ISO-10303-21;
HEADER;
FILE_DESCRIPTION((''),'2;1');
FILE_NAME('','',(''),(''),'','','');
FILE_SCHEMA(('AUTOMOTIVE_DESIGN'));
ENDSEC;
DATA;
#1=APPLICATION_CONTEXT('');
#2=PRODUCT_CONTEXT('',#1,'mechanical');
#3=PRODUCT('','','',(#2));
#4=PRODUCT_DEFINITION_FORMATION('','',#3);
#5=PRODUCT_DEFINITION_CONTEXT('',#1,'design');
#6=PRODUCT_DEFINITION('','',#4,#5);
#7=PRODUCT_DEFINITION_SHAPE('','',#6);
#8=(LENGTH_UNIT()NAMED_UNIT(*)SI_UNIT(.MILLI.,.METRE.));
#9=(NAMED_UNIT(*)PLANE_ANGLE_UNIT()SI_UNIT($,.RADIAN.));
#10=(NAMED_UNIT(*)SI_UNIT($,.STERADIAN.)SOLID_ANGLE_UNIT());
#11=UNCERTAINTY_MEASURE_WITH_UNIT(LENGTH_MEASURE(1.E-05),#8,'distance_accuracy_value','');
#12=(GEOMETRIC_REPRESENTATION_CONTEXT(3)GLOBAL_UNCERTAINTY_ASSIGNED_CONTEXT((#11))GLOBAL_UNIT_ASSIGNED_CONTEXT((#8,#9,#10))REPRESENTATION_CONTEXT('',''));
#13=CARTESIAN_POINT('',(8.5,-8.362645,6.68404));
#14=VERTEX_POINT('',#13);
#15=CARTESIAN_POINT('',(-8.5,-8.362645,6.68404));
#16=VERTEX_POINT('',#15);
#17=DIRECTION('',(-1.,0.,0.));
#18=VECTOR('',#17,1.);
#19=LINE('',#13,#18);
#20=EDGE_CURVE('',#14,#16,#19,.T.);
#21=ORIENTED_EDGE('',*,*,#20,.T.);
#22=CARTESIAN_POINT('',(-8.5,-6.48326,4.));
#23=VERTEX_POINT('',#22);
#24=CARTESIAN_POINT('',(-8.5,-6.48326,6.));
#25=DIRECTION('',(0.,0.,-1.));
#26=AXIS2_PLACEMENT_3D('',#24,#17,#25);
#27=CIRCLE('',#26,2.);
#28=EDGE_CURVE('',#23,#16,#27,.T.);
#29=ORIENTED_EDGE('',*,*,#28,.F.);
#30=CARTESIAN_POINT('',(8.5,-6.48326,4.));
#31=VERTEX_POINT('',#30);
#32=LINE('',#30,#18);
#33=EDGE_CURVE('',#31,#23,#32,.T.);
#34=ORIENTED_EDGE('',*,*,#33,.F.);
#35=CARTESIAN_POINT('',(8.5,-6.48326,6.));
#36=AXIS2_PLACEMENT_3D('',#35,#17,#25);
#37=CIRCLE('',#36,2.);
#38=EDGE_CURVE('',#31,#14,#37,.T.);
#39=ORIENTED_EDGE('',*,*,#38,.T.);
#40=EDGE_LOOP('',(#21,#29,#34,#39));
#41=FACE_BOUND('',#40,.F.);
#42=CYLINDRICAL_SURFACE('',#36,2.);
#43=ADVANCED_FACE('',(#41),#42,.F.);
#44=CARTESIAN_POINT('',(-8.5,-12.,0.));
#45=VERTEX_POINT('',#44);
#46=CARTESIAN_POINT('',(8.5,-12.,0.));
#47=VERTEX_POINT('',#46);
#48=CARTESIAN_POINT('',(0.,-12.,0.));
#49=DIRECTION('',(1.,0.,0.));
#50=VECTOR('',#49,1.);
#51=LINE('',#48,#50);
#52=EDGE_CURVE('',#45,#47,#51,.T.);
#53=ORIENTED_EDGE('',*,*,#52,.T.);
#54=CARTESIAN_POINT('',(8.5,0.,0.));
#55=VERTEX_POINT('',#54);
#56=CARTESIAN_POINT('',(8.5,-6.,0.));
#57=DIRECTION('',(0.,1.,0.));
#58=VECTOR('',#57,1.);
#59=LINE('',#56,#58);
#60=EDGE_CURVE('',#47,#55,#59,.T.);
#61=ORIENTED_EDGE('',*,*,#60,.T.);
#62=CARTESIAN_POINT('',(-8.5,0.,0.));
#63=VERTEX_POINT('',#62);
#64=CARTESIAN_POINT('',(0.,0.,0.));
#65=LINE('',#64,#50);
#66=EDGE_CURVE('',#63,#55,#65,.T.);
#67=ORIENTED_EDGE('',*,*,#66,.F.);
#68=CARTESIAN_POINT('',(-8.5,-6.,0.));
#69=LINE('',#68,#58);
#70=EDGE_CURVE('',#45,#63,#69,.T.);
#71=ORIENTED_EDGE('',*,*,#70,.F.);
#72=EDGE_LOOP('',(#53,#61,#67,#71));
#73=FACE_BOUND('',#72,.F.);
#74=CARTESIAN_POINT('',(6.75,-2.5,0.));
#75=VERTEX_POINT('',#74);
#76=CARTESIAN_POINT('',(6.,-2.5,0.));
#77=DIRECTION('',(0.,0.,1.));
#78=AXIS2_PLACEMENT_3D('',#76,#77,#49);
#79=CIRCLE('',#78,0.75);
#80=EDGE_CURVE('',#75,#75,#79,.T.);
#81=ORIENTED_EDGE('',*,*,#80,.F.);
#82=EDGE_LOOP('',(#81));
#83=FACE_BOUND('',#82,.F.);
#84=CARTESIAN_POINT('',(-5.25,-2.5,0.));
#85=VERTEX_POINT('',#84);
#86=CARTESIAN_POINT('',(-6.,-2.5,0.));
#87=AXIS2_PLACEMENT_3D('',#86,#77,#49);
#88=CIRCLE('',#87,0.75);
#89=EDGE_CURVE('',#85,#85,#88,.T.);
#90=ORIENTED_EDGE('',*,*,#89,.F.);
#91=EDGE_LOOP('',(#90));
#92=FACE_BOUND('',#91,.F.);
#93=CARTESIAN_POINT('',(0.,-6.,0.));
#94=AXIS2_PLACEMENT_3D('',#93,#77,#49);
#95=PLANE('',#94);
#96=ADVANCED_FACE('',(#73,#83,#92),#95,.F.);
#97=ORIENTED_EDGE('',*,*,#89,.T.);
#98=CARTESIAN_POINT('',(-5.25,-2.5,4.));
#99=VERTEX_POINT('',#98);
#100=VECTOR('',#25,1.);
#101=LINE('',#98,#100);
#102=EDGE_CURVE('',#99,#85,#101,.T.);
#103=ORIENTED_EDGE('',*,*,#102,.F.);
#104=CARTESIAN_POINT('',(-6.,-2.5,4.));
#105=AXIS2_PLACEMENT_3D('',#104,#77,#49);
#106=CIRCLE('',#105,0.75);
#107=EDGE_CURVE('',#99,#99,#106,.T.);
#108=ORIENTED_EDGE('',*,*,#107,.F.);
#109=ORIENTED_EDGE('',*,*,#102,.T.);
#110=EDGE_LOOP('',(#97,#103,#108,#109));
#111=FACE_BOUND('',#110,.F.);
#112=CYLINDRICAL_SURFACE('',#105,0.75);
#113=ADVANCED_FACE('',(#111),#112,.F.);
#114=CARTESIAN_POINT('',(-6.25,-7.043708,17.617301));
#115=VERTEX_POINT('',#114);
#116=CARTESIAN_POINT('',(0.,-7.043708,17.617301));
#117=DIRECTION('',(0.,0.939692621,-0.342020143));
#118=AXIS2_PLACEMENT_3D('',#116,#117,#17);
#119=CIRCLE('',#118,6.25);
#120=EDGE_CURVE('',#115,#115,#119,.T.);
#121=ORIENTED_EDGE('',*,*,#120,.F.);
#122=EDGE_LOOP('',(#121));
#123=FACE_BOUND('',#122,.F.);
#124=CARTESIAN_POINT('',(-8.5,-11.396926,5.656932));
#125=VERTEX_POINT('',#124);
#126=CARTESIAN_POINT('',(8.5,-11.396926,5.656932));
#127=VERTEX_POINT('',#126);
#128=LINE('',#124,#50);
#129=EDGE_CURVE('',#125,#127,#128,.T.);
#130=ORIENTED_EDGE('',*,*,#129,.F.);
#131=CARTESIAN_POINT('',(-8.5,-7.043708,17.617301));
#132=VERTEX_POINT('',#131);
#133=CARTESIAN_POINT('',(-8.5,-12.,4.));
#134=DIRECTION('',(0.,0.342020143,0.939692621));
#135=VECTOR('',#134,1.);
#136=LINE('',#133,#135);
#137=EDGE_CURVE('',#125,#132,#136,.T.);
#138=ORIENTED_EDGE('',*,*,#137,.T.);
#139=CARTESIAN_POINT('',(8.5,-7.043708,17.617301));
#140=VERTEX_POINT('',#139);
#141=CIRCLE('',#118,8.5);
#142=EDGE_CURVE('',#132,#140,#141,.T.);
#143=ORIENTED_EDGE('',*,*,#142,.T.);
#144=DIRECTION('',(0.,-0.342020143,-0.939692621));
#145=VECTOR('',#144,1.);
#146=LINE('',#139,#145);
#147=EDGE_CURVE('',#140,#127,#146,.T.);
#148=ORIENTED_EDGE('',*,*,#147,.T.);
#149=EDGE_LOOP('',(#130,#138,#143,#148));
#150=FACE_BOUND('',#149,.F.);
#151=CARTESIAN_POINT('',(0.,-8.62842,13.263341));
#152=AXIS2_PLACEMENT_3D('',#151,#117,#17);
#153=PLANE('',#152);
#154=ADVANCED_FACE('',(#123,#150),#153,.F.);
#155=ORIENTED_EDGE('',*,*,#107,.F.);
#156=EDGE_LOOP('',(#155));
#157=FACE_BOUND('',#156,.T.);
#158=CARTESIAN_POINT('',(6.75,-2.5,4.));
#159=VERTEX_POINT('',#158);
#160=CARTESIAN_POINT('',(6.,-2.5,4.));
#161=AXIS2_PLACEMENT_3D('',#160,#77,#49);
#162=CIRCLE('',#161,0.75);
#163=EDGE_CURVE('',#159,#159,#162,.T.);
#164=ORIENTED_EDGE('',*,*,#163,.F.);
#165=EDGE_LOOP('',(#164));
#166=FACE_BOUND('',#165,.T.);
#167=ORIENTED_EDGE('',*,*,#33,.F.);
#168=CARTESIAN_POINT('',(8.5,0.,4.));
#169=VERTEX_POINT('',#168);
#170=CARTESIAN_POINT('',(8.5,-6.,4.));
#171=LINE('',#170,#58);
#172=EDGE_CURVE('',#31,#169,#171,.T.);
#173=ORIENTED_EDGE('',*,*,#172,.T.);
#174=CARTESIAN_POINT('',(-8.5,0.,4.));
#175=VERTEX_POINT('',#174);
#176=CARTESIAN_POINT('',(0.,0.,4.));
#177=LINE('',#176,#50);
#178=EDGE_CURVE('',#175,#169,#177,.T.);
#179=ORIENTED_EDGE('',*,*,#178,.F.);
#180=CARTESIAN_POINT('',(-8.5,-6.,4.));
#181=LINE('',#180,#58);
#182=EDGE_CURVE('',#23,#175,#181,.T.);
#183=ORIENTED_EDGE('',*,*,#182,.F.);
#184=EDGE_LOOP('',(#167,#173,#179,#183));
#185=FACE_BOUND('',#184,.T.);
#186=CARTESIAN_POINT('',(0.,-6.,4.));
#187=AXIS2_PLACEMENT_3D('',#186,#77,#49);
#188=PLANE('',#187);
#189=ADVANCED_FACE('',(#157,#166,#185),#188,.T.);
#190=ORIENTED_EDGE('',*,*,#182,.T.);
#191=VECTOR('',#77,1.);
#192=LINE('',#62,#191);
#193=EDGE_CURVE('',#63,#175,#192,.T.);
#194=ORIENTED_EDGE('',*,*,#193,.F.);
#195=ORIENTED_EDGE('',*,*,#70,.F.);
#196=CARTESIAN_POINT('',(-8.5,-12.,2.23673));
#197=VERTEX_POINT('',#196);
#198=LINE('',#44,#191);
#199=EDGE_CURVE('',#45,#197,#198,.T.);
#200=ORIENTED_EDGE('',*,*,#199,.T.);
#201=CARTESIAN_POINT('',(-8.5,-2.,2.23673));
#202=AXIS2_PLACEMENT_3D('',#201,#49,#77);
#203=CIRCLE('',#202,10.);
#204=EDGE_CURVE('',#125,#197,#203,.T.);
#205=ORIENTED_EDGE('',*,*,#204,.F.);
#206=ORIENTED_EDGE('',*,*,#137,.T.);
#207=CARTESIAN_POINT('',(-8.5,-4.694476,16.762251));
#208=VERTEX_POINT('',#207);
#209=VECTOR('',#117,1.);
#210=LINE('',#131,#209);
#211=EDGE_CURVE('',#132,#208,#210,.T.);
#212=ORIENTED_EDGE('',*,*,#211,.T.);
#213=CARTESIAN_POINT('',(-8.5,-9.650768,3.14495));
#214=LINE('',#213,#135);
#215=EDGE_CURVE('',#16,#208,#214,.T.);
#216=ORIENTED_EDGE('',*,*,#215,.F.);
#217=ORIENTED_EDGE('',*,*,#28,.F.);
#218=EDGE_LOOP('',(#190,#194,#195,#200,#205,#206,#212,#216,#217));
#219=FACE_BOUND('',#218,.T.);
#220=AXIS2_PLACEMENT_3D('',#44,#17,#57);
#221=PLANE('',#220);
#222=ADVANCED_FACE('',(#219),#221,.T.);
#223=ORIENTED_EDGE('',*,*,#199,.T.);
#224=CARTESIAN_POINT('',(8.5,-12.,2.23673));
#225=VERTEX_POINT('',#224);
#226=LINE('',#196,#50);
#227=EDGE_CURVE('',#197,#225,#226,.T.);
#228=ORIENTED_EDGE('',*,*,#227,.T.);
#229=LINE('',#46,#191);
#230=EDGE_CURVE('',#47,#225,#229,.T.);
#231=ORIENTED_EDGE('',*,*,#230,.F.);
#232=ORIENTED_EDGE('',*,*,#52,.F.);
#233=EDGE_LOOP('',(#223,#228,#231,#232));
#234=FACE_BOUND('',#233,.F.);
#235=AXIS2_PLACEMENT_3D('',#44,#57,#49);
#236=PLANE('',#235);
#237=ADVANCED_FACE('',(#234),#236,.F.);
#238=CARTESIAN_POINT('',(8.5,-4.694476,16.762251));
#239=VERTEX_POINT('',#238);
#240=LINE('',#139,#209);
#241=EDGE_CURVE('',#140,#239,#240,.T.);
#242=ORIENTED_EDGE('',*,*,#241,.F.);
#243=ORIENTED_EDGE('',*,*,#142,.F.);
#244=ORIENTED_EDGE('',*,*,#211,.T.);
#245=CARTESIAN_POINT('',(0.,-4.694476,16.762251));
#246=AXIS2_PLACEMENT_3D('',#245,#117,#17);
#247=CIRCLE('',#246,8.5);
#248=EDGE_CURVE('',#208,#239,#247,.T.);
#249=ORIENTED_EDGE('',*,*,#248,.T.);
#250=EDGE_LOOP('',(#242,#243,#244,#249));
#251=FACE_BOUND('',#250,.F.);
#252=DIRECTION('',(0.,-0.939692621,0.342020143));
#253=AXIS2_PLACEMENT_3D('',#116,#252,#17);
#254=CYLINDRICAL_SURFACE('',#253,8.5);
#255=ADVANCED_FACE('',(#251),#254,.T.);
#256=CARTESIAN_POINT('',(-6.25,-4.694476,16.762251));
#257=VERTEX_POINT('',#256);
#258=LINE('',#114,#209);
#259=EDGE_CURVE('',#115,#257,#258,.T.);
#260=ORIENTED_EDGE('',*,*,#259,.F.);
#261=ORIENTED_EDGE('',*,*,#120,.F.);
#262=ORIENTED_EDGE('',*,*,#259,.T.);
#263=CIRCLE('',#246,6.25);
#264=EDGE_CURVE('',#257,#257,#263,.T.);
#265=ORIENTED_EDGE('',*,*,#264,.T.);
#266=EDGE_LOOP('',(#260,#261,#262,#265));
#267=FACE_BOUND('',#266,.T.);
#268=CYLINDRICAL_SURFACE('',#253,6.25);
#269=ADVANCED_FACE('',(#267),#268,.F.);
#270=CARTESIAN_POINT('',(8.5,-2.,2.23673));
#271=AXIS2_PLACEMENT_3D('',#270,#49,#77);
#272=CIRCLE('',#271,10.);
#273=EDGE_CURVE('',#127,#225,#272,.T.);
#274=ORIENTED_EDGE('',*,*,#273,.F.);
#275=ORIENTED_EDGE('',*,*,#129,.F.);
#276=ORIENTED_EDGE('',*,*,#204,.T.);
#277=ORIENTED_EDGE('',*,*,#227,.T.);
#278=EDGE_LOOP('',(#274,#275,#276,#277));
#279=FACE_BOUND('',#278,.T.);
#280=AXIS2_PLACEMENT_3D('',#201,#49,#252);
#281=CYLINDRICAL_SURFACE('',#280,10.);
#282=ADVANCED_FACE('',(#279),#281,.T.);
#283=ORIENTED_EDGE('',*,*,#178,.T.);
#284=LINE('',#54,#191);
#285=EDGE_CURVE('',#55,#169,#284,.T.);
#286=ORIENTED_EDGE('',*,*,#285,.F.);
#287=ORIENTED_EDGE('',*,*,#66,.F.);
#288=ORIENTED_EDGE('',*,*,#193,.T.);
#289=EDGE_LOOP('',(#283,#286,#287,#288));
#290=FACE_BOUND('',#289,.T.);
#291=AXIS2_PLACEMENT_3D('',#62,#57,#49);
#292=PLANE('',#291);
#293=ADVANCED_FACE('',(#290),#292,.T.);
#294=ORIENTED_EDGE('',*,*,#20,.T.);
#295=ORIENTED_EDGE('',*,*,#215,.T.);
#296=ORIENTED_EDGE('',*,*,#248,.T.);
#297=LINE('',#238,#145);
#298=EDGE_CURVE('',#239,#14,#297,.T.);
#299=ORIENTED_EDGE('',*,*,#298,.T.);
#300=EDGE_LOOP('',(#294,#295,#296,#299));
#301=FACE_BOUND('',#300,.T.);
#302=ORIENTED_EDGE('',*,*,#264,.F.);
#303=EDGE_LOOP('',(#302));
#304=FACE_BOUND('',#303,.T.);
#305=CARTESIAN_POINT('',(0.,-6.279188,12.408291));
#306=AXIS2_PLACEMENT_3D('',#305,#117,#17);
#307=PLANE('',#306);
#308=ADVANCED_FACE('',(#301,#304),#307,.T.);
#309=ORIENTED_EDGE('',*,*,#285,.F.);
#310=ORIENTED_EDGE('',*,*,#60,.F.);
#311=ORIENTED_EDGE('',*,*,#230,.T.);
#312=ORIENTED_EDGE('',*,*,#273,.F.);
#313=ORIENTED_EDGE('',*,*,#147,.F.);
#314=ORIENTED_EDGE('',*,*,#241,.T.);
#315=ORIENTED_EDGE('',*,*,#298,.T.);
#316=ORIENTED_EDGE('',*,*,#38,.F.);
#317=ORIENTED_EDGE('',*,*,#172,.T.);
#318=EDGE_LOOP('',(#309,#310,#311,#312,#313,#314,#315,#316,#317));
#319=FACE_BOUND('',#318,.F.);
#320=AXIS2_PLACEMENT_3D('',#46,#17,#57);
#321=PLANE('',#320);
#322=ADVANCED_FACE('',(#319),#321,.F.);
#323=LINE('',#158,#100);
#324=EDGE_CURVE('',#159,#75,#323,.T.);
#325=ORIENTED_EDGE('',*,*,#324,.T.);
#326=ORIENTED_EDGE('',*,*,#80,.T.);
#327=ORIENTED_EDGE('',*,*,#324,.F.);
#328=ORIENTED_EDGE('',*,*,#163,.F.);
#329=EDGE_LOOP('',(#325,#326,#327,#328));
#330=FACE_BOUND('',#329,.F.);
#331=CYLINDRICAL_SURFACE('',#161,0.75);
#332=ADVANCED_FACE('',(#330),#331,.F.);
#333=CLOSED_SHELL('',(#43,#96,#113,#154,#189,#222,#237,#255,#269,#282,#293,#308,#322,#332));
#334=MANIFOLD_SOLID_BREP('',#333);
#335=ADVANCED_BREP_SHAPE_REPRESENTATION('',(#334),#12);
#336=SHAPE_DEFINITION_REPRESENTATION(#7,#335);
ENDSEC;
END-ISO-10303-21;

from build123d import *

# Parameters (mm, degrees)
F0_W     = 17
F0_H     = 12
F1_DEPTH = 4
F2_R     = 0.75
F3_DEPTH = 25
F5_R     = 6.25
F6_DEPTH = 2.5
F7_R     = 2
F8_R     = 10


with BuildPart() as f1:
    # F0 (on Top) → F1 (new body)
    with BuildSketch(Plane.XY):
        with Locations((0, -6)):
            Rectangle(F0_W, F0_H)
    extrude(amount=F1_DEPTH)

    # F2 (on face) → F3 (cut)
    with BuildSketch(Plane.XY.offset(4)):
        with Locations((-6, -2.5)):
            Circle(F2_R)
        with Locations((6, -2.5)):
            Circle(F2_R)
    extrude(amount=-F3_DEPTH, mode=Mode.SUBTRACT)

    # F5 (on face) → F6 (join)
    with BuildSketch(Plane(origin=(0, -11.8818418781, 4.3246367719), x_dir=(-1, 0, 0), z_dir=(0, 0.9396926208, -0.3420201433))):
        with BuildLine():
            Line((-8.5, -0.3454712368), (8.5, -0.3454712368))
            Line((8.5, -0.3454712368), (8.5, 14.1457582801))
            ThreePointArc((8.5, 14.1457582801), (0, 22.6457582801), (-8.5, 14.1457582801))
            Line((-8.5, 14.1457582801), (-8.5, -0.3454712368))
        make_face()
        with Locations((0, 14.1457582801)):
            Circle(F5_R, mode=Mode.SUBTRACT)
    extrude(amount=F6_DEPTH)

    # F7
    f7_edges = [f1.edges().sort_by_distance(p)[0] for p in [
        (0, -9.339556, 4),
    ]]
    fillet(f7_edges, radius=F7_R)

    # F8
    f8_edges = [f1.edges().sort_by_distance(p)[0] for p in [
        (0, -12, 4),
    ]]
    fillet(f8_edges, radius=F8_R)


solid = f1.part
